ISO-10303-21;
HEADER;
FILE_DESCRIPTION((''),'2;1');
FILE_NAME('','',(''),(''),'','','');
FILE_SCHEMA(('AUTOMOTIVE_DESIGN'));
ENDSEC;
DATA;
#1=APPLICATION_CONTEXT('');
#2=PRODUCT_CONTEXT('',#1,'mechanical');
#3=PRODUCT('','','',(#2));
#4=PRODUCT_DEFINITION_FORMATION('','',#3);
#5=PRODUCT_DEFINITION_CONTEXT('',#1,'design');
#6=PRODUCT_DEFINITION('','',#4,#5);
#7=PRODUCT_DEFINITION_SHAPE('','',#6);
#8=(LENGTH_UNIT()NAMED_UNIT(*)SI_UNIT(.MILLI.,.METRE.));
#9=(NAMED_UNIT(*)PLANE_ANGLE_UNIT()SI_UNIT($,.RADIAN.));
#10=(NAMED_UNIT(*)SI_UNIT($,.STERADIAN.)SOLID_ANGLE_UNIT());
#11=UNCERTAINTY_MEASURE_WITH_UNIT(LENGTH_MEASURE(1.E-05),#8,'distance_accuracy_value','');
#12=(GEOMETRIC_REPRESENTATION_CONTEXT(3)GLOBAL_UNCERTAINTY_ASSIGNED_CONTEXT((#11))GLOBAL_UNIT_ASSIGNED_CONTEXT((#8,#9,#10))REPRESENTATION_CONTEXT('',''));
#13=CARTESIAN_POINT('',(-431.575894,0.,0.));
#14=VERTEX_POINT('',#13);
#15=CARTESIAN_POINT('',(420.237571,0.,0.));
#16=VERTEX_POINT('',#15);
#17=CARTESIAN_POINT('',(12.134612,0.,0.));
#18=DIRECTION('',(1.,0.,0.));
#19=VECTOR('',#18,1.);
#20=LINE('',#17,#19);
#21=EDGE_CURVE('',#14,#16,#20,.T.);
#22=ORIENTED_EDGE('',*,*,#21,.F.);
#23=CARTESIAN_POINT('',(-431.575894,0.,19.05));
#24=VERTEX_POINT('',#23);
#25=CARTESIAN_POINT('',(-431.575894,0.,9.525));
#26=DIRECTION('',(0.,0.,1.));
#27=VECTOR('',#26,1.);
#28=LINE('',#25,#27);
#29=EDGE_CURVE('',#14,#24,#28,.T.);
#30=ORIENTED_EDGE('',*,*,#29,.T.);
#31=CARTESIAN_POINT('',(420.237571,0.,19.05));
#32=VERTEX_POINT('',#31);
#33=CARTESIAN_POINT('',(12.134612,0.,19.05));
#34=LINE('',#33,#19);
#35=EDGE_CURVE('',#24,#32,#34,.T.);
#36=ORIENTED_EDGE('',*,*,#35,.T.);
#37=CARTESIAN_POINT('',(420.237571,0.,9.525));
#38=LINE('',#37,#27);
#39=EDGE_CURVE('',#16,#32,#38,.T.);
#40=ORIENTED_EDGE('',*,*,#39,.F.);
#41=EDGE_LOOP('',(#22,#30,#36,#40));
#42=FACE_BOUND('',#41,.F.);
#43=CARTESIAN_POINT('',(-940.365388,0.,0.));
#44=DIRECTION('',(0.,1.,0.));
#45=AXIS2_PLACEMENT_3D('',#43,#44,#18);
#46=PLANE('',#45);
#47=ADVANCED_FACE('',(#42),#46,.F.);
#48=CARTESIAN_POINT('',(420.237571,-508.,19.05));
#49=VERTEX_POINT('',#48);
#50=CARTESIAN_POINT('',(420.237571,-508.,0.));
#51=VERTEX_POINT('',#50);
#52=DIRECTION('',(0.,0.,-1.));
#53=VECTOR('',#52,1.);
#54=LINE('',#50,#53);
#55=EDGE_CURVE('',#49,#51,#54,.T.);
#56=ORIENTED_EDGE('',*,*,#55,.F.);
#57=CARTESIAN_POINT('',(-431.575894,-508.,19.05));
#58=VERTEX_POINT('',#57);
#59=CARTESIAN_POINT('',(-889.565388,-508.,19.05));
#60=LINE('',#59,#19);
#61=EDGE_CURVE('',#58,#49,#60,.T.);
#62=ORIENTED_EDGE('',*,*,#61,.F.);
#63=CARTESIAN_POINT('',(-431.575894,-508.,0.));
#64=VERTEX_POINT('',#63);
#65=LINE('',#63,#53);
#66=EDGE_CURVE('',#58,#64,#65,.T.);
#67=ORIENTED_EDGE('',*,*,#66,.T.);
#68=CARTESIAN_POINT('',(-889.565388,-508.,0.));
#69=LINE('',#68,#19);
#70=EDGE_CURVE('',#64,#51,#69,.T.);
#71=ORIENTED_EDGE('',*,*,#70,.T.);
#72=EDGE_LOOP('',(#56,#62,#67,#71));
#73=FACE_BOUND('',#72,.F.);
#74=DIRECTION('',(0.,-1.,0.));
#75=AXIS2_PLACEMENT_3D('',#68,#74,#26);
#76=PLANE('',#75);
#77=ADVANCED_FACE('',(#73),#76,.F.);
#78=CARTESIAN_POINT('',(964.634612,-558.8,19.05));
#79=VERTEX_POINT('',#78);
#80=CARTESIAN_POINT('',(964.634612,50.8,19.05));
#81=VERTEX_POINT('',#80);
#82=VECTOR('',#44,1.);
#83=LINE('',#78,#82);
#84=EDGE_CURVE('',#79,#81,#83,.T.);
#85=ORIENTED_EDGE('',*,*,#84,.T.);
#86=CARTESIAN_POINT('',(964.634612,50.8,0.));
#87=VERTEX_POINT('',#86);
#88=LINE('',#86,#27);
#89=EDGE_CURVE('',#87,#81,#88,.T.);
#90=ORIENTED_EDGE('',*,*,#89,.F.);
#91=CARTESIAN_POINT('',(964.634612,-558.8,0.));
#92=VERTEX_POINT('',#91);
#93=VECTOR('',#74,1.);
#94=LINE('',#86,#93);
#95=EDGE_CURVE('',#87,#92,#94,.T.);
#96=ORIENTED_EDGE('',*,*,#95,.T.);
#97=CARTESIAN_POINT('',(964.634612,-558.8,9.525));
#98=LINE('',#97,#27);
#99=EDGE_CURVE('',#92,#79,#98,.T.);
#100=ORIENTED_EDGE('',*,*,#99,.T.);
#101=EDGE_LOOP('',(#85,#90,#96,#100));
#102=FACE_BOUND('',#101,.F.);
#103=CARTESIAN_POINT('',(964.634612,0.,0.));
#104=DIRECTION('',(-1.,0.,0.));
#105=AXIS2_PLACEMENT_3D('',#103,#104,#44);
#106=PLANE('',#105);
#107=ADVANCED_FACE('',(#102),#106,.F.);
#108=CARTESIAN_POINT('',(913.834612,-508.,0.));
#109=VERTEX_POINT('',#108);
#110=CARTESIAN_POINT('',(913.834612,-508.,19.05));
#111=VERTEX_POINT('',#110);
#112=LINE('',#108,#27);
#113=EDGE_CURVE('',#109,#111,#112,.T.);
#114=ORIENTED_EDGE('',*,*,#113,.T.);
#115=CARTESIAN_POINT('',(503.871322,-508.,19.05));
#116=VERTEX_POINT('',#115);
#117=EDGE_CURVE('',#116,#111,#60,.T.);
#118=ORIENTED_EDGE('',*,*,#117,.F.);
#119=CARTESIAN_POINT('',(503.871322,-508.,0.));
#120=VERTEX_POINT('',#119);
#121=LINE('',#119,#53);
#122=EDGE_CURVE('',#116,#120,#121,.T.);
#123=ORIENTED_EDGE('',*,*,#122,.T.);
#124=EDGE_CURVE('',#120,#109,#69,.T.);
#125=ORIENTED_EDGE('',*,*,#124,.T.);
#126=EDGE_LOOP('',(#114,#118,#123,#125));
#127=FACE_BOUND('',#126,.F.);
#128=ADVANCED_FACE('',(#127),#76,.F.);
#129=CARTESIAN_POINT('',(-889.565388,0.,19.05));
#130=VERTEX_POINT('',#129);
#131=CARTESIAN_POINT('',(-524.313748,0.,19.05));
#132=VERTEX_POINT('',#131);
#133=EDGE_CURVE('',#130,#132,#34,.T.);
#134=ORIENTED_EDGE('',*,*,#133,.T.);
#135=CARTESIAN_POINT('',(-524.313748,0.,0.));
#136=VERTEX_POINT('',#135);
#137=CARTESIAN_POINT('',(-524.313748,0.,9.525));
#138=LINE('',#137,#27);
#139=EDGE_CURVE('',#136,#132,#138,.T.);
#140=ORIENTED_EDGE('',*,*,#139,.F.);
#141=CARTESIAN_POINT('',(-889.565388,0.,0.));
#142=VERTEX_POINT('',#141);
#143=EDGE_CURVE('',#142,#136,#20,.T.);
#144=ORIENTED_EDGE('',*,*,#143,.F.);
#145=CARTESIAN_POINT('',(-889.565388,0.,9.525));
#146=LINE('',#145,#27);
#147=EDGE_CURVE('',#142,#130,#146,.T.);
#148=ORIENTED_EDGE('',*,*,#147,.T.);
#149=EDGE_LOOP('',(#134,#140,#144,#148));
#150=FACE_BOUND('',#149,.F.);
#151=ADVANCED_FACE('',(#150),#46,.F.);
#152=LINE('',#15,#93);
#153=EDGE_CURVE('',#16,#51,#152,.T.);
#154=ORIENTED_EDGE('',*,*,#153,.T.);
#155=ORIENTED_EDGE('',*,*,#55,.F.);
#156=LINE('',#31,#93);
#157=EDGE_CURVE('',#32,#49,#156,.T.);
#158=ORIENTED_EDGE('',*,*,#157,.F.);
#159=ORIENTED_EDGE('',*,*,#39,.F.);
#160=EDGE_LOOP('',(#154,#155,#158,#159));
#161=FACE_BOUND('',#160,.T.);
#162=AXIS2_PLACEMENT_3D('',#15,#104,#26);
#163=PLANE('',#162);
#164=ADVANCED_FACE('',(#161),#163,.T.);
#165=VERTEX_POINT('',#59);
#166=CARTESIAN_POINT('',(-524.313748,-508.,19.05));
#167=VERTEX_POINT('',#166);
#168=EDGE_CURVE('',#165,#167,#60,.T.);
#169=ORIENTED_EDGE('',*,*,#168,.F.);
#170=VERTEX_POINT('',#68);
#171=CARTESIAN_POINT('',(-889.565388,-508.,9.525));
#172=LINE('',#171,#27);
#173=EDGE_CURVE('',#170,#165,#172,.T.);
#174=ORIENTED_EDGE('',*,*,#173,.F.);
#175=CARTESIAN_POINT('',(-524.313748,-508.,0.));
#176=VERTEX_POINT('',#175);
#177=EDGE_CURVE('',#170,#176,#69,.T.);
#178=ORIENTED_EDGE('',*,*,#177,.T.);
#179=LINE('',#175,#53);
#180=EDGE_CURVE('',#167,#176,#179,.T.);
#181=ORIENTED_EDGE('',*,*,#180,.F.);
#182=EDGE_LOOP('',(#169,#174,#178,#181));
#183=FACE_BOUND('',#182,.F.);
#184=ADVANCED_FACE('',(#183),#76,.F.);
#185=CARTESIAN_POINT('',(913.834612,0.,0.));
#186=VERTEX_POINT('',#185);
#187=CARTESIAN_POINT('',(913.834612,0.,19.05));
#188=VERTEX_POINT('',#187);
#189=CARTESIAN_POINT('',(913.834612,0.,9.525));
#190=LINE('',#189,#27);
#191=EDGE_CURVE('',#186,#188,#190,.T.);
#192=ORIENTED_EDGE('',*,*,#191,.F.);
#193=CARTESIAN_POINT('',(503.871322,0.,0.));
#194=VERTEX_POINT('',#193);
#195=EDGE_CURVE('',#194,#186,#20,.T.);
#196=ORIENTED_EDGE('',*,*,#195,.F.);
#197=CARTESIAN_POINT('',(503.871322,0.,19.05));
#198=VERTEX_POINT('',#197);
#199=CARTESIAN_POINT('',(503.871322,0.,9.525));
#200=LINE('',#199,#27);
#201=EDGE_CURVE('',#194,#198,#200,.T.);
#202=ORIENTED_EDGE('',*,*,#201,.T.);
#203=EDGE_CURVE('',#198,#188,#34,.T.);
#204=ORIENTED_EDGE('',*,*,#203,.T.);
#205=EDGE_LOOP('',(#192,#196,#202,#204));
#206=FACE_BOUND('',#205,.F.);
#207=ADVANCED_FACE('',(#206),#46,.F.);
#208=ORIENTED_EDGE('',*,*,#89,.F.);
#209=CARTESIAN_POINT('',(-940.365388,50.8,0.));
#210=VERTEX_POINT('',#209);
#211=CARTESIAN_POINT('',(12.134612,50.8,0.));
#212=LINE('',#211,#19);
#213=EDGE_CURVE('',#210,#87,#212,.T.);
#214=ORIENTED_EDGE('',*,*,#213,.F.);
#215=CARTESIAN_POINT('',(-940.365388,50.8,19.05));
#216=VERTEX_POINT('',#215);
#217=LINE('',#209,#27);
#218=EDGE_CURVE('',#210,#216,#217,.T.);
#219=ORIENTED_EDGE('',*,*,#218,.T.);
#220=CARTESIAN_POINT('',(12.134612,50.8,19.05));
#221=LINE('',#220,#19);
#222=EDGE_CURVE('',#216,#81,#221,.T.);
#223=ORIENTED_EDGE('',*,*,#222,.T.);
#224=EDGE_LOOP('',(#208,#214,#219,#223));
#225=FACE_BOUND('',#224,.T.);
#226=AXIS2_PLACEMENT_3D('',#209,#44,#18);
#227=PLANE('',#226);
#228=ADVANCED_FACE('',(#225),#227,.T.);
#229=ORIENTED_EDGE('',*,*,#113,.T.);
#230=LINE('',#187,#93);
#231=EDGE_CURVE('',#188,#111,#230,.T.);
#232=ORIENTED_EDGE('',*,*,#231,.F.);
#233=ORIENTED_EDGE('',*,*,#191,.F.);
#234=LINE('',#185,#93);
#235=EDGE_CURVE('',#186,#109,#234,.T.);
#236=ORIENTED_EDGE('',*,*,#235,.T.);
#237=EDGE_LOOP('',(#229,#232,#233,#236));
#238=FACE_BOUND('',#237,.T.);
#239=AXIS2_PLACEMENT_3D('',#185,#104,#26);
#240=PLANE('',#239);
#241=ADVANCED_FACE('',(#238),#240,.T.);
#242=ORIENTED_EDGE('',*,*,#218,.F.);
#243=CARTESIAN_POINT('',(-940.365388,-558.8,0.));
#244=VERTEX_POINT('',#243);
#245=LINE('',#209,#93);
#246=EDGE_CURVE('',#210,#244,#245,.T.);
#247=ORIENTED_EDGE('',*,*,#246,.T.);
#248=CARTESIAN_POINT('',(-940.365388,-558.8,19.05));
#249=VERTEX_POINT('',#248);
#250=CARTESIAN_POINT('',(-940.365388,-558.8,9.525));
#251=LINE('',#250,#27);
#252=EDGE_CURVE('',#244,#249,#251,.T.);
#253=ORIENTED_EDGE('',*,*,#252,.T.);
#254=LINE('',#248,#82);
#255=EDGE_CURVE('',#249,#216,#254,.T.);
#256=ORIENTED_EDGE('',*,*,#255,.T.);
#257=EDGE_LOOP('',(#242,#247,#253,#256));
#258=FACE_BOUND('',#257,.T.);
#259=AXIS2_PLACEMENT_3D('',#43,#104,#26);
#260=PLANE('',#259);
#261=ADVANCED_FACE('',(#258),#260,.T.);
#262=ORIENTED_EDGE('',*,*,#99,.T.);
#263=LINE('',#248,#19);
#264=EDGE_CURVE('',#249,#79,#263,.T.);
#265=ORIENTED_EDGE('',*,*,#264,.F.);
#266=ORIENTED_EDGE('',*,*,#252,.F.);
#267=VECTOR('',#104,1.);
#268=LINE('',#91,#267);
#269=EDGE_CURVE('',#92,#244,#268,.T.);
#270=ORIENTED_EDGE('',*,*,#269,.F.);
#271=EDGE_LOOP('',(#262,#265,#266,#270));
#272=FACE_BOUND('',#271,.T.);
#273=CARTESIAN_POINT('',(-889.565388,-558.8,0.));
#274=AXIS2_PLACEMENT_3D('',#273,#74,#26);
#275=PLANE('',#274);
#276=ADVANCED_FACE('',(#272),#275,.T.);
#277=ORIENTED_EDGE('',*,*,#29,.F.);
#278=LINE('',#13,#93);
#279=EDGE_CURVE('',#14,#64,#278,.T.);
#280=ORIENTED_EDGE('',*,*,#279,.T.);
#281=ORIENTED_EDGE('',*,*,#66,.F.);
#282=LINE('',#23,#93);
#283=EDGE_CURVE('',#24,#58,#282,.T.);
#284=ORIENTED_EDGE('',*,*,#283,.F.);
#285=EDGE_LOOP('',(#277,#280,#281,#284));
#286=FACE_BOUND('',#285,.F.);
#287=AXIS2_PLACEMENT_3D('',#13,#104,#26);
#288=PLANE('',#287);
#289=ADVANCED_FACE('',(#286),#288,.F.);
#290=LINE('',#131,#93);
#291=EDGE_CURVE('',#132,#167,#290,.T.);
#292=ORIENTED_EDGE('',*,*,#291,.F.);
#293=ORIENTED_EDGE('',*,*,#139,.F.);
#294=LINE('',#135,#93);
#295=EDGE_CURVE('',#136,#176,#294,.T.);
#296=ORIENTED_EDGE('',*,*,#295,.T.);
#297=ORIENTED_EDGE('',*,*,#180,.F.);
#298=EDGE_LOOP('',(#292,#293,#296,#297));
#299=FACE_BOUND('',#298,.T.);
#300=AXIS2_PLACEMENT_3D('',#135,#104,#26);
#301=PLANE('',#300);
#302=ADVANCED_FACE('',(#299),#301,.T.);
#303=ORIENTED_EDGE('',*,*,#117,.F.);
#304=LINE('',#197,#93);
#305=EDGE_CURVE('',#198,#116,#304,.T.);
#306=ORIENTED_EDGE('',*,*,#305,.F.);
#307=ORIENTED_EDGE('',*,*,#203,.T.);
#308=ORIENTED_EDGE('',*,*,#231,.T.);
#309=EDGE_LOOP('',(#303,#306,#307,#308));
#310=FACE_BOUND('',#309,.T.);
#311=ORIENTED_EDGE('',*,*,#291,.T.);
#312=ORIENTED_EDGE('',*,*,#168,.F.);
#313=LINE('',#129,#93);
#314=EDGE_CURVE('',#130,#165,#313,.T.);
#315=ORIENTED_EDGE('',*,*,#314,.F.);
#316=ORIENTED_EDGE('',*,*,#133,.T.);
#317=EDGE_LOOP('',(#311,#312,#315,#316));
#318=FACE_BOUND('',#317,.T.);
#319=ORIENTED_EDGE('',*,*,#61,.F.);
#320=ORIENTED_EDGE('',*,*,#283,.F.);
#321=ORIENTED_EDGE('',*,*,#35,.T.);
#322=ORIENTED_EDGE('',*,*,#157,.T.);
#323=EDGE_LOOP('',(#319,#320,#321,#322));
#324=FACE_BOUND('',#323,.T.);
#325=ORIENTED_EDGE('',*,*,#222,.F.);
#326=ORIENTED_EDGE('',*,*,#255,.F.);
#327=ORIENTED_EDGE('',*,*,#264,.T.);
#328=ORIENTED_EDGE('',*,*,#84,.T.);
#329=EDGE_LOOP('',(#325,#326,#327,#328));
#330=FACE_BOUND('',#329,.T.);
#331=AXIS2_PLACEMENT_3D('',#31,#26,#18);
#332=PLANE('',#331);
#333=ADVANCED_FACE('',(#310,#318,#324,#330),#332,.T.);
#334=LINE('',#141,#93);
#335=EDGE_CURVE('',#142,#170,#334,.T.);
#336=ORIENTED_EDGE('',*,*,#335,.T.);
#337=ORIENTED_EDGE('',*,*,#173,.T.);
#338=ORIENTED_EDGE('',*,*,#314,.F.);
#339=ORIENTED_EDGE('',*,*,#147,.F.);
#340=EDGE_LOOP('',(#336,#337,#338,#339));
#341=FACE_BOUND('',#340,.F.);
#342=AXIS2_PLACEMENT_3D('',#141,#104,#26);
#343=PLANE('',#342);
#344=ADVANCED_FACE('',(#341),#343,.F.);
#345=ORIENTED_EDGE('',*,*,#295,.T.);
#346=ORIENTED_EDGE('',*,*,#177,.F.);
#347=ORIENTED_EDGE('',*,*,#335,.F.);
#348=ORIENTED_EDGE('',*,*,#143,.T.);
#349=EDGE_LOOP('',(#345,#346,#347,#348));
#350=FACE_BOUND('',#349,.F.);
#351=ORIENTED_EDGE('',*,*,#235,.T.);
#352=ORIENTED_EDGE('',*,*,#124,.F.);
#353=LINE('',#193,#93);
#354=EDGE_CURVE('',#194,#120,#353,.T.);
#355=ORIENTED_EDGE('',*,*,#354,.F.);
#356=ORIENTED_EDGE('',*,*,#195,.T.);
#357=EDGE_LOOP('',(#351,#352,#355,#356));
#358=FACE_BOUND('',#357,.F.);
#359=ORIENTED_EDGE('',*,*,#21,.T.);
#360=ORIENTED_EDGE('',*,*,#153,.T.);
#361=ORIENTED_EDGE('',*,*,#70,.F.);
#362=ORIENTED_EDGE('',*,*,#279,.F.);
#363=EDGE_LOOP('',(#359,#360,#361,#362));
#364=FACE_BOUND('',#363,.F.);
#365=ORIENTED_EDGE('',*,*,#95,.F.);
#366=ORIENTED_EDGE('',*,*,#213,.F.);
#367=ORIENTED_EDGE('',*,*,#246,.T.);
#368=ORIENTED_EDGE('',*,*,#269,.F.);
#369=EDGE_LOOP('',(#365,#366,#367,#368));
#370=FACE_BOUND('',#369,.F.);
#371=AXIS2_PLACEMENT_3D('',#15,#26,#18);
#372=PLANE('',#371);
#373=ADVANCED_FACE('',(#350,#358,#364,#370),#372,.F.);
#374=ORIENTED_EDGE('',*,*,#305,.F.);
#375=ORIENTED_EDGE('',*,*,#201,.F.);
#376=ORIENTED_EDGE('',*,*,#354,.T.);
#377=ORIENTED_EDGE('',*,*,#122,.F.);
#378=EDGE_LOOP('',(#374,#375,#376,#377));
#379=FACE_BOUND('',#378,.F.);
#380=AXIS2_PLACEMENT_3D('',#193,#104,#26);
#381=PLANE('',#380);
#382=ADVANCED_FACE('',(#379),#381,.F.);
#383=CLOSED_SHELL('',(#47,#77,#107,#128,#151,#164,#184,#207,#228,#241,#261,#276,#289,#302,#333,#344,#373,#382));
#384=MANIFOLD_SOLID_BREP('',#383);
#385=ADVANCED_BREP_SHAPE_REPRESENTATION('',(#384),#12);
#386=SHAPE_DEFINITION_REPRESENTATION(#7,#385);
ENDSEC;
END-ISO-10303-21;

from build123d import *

# Parameters (mm, degrees)
F0_W     = 1905
F0_H     = 50.8
F1_DEPTH = 19.05
F2_W     = 50.8
F2_H     = 19.05
F3_DEPTH = 558.8
F4_W     = 50.8
F4_H     = 19.05
F5_DEPTH = 1854.2
F6_W     = 83.633751
F6_H     = 19.05
F6_W_2   = 92.737854
F7_DEPTH = 558.8


with BuildPart() as f1:
    # F0 (on Top) → F1 (new body)
    with BuildSketch(Plane.XY):
        with Locations((12.134612, 25.4)):
            Rectangle(F0_W, F0_H)
    extrude(amount=F1_DEPTH)

    # F2 (on face) → F3 (join)
    with BuildSketch(Plane.XZ):
        with Locations((-914.965388, 9.525)):
            Rectangle(F2_W, F2_H)
        with Locations((939.234612, 9.525)):
            Rectangle(F2_W, F2_H)
    extrude(amount=F3_DEPTH)

    # F4 (on face) → F5 (join)
    with BuildSketch(Plane.YZ.offset(-889.565388)):
        with Locations((-533.4, 9.525)):
            Rectangle(F4_W, F4_H)
    extrude(amount=F5_DEPTH)

    # F6 (on face) → F7 (join)
    with BuildSketch(Plane.XZ):
        with Locations((462.054446, 9.525)):
            Rectangle(F6_W, F6_H)
        with Locations((-477.944821, 9.525)):
            Rectangle(F6_W_2, F6_H)
    extrude(amount=F7_DEPTH)


solid = f1.part
